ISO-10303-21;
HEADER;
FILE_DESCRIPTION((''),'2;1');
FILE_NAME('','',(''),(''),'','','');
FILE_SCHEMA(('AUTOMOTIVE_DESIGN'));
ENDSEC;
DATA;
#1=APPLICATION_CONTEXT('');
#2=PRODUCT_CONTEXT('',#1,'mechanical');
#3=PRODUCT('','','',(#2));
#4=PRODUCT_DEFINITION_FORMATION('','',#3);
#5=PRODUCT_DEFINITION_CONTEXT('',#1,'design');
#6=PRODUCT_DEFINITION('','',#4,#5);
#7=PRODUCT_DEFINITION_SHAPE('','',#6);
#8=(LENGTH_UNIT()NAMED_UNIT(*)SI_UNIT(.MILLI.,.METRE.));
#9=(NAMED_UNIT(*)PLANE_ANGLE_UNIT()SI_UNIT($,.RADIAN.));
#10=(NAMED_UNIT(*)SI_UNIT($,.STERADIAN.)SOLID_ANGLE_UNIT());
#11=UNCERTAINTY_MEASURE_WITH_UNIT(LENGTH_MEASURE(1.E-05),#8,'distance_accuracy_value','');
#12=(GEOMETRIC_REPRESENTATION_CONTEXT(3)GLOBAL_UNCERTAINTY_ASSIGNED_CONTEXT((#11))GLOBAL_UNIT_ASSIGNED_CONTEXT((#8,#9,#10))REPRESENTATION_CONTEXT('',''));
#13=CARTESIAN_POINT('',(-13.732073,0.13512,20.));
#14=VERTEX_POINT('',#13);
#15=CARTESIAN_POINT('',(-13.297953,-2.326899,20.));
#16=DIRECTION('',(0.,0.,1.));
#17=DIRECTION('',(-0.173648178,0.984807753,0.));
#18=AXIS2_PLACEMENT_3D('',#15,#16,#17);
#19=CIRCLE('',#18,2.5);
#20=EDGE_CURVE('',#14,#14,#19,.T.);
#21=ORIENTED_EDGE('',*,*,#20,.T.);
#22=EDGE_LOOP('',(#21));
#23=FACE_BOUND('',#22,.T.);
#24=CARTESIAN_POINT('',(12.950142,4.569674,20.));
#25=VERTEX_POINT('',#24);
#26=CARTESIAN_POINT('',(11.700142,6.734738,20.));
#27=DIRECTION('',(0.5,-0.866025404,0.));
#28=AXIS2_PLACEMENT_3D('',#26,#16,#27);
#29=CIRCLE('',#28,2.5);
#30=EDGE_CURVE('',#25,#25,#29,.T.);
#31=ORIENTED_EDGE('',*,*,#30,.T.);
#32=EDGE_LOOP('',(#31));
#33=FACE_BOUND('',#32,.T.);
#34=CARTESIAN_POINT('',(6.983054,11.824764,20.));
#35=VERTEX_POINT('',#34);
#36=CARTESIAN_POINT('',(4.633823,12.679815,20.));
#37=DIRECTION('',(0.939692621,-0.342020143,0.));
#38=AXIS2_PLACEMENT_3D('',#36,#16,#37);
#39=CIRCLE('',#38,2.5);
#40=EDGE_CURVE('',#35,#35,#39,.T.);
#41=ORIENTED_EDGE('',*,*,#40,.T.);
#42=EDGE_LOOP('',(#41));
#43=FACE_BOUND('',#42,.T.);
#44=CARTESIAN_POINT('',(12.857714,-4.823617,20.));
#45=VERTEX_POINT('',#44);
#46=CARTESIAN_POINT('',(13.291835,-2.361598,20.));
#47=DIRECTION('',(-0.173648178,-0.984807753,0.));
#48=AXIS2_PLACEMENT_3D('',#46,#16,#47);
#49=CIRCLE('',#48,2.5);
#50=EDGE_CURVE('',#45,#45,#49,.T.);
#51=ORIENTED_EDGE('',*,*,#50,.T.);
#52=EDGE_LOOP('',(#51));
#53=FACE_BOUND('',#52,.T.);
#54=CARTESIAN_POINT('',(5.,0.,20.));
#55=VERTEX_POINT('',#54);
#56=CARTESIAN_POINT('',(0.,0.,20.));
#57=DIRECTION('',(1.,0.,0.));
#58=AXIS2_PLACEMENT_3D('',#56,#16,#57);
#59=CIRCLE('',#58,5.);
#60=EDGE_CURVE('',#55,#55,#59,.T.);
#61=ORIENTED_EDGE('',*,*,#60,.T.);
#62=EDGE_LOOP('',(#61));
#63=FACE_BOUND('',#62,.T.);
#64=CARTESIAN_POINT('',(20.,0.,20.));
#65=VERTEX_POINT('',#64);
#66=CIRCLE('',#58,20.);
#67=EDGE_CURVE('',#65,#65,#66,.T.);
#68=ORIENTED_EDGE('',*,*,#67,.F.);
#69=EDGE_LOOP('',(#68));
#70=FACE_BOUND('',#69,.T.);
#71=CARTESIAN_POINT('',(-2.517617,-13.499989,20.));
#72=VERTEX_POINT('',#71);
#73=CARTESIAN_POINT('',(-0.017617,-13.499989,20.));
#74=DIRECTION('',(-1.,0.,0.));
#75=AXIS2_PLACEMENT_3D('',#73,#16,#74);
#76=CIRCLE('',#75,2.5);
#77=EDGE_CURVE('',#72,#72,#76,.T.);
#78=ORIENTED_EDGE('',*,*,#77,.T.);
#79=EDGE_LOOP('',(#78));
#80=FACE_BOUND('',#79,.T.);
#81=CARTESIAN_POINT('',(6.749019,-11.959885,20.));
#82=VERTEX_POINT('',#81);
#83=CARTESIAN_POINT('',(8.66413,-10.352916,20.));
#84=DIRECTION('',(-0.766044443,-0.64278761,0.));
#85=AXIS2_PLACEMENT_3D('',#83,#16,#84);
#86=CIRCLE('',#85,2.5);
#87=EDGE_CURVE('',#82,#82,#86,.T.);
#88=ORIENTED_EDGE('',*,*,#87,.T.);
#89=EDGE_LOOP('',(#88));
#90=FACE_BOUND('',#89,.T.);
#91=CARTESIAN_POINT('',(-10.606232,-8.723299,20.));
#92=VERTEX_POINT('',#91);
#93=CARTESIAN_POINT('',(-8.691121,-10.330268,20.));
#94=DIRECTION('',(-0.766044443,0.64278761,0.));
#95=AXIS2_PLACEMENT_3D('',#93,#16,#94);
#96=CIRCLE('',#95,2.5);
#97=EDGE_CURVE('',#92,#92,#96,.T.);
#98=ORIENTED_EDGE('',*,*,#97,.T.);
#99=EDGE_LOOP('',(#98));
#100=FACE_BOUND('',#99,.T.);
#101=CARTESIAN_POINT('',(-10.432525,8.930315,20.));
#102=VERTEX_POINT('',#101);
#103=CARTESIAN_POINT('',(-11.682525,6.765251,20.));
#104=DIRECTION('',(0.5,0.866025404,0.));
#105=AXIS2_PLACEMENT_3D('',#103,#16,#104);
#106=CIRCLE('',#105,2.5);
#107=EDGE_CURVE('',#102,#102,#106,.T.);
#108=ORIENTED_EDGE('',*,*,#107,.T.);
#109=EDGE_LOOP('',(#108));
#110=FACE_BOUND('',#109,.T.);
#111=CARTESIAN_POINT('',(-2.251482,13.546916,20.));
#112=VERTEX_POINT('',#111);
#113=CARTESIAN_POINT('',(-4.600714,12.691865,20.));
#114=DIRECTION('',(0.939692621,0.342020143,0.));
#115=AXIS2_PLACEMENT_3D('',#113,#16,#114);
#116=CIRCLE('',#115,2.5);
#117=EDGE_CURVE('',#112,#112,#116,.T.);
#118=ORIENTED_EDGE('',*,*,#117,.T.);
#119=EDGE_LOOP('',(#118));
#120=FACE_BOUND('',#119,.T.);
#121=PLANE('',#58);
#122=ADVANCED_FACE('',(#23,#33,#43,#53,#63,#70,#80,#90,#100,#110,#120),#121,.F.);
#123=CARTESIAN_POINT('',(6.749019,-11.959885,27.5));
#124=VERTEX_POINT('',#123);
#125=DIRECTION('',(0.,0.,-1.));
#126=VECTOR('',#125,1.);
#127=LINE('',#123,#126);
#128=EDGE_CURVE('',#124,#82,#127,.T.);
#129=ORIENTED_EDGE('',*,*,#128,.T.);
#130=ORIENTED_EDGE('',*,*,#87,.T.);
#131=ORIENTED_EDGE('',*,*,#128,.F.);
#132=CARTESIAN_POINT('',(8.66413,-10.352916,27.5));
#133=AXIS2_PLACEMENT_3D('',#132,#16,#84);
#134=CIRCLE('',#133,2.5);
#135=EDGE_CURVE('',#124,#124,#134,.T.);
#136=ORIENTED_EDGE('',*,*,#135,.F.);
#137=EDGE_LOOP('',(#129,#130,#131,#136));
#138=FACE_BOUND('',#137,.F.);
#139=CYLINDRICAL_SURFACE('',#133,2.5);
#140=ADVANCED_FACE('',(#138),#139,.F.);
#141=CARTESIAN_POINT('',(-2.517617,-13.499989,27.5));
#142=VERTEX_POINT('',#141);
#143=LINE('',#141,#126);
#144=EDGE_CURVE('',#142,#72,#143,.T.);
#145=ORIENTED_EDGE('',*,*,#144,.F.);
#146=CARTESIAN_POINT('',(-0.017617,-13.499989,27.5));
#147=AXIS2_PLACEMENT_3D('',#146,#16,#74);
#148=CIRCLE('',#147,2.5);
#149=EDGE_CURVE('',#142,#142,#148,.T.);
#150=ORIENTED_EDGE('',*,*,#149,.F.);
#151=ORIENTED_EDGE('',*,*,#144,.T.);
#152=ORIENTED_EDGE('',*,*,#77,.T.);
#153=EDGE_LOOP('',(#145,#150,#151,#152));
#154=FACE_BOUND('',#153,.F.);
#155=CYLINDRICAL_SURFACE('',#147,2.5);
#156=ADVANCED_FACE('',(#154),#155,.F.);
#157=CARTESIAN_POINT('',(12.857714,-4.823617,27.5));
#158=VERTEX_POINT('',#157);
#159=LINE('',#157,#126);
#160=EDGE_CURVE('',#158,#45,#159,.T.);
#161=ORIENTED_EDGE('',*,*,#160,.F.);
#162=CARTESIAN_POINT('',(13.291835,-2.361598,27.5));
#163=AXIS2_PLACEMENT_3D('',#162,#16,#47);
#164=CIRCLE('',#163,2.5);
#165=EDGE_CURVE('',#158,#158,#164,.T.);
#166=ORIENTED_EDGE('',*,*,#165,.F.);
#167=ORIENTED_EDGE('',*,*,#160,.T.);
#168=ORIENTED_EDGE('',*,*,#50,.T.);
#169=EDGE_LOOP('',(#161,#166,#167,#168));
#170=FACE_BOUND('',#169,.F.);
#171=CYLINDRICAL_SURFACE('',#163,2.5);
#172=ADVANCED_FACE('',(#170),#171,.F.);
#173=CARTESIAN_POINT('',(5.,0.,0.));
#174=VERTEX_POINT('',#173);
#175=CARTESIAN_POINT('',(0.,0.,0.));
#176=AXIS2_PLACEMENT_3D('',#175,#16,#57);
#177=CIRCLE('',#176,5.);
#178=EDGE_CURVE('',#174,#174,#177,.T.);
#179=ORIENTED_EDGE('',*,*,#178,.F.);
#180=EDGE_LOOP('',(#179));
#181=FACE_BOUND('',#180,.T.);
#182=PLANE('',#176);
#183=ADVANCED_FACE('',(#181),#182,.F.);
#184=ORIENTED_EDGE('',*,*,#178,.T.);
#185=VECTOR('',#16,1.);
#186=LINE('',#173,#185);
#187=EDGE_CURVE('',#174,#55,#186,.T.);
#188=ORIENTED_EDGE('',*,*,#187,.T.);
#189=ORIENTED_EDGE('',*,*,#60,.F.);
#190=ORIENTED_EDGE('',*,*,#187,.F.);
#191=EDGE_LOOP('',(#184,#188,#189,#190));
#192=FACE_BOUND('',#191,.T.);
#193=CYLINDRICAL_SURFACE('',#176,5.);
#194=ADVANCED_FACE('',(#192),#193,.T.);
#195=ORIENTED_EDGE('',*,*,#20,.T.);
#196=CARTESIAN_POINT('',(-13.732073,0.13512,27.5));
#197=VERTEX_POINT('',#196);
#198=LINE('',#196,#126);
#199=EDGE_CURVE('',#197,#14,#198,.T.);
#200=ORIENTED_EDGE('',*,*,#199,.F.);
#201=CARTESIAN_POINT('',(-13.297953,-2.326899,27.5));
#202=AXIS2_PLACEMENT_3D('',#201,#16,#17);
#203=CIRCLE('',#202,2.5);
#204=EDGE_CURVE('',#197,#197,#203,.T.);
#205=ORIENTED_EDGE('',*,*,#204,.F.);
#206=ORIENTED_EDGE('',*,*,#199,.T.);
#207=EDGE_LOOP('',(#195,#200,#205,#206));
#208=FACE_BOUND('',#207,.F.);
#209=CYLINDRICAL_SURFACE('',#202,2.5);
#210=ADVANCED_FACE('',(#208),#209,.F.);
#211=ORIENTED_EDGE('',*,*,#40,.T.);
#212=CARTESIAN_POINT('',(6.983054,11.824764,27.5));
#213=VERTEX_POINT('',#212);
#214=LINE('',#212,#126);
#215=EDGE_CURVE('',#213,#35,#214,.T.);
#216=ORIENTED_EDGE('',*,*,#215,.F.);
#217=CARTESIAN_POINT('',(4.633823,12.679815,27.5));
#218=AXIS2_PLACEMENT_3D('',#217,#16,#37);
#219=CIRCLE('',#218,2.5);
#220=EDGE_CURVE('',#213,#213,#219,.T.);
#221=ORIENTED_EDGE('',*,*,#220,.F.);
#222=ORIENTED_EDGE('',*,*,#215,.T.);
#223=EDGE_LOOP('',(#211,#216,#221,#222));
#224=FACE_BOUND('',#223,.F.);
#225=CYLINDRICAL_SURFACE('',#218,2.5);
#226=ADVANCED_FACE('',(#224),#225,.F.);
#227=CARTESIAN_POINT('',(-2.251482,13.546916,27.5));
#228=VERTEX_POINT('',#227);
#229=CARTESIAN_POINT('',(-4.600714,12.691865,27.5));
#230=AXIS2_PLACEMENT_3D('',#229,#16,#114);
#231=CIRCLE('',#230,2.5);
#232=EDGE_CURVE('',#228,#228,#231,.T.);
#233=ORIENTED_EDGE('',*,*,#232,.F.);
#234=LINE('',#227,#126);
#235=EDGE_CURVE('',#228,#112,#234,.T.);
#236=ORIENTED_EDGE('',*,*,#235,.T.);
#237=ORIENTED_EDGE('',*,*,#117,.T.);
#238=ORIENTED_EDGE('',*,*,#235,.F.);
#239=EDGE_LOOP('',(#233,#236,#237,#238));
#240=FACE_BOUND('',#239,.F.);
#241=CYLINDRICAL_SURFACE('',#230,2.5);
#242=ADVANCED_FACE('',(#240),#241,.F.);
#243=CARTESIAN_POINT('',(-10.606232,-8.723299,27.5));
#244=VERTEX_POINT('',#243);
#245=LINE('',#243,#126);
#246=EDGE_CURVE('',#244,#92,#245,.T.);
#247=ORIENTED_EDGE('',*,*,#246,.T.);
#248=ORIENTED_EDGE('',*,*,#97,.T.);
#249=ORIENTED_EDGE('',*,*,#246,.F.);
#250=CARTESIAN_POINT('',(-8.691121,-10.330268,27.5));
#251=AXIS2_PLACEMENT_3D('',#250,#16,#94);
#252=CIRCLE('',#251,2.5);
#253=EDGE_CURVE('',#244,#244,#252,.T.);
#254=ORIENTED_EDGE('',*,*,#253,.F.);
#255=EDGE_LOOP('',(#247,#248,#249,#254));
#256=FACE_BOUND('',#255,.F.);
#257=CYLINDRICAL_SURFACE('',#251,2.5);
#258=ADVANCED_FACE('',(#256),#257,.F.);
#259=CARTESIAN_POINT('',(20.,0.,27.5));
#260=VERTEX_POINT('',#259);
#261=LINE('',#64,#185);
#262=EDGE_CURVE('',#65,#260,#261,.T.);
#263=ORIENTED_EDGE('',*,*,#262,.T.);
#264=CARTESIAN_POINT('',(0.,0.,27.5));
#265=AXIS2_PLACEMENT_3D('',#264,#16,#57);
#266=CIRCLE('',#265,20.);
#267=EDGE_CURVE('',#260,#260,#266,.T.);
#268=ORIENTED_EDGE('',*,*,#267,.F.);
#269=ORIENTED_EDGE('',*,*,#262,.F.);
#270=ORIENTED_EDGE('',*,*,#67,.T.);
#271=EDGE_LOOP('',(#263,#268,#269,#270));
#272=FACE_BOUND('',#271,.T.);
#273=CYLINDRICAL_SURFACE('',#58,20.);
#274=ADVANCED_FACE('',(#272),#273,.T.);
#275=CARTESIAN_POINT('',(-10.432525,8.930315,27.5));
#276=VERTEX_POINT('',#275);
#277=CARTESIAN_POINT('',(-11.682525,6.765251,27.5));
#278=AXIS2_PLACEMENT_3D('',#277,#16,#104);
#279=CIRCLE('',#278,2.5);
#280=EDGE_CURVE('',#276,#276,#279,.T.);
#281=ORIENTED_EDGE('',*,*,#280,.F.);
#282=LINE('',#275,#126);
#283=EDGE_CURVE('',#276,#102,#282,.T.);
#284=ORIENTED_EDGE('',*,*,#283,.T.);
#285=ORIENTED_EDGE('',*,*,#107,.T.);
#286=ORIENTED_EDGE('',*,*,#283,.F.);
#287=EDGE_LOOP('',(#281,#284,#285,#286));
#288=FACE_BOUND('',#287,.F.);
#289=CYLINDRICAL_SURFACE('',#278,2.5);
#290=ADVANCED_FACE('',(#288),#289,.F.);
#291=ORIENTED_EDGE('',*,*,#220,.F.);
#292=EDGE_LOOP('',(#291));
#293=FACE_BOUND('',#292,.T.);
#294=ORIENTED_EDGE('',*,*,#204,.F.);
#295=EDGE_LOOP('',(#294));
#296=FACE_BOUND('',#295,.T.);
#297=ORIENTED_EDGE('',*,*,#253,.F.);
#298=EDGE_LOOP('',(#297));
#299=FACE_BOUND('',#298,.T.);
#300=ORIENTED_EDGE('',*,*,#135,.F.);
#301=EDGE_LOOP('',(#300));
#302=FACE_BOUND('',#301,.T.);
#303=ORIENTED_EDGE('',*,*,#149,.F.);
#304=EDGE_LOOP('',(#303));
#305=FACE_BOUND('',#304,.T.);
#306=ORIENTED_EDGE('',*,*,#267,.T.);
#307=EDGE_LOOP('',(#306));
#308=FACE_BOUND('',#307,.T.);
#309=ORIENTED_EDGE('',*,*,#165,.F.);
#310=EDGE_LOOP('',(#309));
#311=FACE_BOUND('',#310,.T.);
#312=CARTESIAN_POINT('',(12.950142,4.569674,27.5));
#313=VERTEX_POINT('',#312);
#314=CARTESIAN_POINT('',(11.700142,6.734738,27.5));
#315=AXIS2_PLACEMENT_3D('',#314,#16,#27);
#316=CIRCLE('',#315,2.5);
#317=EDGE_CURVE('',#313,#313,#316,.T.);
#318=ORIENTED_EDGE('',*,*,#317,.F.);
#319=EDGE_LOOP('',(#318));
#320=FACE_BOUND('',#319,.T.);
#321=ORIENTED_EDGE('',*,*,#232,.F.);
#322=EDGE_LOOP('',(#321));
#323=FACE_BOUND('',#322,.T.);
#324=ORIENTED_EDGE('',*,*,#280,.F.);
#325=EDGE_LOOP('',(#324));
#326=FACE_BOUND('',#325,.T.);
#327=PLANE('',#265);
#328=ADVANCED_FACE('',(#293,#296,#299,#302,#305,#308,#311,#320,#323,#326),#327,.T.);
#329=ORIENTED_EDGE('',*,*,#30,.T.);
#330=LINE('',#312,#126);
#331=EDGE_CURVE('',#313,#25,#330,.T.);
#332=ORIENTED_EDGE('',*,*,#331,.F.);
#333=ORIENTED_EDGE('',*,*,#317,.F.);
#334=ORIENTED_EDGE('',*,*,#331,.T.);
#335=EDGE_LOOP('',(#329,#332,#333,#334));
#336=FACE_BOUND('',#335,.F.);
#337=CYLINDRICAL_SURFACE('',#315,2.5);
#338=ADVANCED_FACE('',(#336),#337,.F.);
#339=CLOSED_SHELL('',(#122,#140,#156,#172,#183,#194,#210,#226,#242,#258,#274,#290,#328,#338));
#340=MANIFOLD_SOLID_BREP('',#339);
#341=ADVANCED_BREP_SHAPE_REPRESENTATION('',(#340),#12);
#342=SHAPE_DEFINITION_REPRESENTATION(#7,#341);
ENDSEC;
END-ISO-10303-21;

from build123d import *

# Parameters (mm, degrees)
SKETCH001_R        = 2.5
POCKET_DEPTH       = 7.5
POLARPATTERN_COUNT = 9


with BuildPart() as part:
    # Sketch → Revolution (revolve)
    with BuildSketch(Plane.XZ):
        Polygon((0, 0), (5, 0), (5, 20), (20, 20), (20, 27.5), (0, 27.5), align=None)
    revolve(axis=Axis((0, 0, 0), (0, 0, 1)))

    # Sketch001 (on Face5 of Revolution) → Pocket (cut)
    with BuildSketch(Plane(origin=(0, 0, 27.5), x_dir=(-1, 0, 0), z_dir=(0, 0, 1))):
        with Locations((0.017617, 13.499989)):
            Circle(SKETCH001_R)
    pocket = extrude(amount=-POCKET_DEPTH, mode=Mode.SUBTRACT)

    # PolarPattern: Pocket ×9 about axis
    polarpattern_axis = Axis((0, 0, 27.5), (0, 0, 1))
    for i in range(1, POLARPATTERN_COUNT):
        add(pocket.rotate(polarpattern_axis, i * 360 / POLARPATTERN_COUNT), mode=Mode.SUBTRACT)


solid = part.part
